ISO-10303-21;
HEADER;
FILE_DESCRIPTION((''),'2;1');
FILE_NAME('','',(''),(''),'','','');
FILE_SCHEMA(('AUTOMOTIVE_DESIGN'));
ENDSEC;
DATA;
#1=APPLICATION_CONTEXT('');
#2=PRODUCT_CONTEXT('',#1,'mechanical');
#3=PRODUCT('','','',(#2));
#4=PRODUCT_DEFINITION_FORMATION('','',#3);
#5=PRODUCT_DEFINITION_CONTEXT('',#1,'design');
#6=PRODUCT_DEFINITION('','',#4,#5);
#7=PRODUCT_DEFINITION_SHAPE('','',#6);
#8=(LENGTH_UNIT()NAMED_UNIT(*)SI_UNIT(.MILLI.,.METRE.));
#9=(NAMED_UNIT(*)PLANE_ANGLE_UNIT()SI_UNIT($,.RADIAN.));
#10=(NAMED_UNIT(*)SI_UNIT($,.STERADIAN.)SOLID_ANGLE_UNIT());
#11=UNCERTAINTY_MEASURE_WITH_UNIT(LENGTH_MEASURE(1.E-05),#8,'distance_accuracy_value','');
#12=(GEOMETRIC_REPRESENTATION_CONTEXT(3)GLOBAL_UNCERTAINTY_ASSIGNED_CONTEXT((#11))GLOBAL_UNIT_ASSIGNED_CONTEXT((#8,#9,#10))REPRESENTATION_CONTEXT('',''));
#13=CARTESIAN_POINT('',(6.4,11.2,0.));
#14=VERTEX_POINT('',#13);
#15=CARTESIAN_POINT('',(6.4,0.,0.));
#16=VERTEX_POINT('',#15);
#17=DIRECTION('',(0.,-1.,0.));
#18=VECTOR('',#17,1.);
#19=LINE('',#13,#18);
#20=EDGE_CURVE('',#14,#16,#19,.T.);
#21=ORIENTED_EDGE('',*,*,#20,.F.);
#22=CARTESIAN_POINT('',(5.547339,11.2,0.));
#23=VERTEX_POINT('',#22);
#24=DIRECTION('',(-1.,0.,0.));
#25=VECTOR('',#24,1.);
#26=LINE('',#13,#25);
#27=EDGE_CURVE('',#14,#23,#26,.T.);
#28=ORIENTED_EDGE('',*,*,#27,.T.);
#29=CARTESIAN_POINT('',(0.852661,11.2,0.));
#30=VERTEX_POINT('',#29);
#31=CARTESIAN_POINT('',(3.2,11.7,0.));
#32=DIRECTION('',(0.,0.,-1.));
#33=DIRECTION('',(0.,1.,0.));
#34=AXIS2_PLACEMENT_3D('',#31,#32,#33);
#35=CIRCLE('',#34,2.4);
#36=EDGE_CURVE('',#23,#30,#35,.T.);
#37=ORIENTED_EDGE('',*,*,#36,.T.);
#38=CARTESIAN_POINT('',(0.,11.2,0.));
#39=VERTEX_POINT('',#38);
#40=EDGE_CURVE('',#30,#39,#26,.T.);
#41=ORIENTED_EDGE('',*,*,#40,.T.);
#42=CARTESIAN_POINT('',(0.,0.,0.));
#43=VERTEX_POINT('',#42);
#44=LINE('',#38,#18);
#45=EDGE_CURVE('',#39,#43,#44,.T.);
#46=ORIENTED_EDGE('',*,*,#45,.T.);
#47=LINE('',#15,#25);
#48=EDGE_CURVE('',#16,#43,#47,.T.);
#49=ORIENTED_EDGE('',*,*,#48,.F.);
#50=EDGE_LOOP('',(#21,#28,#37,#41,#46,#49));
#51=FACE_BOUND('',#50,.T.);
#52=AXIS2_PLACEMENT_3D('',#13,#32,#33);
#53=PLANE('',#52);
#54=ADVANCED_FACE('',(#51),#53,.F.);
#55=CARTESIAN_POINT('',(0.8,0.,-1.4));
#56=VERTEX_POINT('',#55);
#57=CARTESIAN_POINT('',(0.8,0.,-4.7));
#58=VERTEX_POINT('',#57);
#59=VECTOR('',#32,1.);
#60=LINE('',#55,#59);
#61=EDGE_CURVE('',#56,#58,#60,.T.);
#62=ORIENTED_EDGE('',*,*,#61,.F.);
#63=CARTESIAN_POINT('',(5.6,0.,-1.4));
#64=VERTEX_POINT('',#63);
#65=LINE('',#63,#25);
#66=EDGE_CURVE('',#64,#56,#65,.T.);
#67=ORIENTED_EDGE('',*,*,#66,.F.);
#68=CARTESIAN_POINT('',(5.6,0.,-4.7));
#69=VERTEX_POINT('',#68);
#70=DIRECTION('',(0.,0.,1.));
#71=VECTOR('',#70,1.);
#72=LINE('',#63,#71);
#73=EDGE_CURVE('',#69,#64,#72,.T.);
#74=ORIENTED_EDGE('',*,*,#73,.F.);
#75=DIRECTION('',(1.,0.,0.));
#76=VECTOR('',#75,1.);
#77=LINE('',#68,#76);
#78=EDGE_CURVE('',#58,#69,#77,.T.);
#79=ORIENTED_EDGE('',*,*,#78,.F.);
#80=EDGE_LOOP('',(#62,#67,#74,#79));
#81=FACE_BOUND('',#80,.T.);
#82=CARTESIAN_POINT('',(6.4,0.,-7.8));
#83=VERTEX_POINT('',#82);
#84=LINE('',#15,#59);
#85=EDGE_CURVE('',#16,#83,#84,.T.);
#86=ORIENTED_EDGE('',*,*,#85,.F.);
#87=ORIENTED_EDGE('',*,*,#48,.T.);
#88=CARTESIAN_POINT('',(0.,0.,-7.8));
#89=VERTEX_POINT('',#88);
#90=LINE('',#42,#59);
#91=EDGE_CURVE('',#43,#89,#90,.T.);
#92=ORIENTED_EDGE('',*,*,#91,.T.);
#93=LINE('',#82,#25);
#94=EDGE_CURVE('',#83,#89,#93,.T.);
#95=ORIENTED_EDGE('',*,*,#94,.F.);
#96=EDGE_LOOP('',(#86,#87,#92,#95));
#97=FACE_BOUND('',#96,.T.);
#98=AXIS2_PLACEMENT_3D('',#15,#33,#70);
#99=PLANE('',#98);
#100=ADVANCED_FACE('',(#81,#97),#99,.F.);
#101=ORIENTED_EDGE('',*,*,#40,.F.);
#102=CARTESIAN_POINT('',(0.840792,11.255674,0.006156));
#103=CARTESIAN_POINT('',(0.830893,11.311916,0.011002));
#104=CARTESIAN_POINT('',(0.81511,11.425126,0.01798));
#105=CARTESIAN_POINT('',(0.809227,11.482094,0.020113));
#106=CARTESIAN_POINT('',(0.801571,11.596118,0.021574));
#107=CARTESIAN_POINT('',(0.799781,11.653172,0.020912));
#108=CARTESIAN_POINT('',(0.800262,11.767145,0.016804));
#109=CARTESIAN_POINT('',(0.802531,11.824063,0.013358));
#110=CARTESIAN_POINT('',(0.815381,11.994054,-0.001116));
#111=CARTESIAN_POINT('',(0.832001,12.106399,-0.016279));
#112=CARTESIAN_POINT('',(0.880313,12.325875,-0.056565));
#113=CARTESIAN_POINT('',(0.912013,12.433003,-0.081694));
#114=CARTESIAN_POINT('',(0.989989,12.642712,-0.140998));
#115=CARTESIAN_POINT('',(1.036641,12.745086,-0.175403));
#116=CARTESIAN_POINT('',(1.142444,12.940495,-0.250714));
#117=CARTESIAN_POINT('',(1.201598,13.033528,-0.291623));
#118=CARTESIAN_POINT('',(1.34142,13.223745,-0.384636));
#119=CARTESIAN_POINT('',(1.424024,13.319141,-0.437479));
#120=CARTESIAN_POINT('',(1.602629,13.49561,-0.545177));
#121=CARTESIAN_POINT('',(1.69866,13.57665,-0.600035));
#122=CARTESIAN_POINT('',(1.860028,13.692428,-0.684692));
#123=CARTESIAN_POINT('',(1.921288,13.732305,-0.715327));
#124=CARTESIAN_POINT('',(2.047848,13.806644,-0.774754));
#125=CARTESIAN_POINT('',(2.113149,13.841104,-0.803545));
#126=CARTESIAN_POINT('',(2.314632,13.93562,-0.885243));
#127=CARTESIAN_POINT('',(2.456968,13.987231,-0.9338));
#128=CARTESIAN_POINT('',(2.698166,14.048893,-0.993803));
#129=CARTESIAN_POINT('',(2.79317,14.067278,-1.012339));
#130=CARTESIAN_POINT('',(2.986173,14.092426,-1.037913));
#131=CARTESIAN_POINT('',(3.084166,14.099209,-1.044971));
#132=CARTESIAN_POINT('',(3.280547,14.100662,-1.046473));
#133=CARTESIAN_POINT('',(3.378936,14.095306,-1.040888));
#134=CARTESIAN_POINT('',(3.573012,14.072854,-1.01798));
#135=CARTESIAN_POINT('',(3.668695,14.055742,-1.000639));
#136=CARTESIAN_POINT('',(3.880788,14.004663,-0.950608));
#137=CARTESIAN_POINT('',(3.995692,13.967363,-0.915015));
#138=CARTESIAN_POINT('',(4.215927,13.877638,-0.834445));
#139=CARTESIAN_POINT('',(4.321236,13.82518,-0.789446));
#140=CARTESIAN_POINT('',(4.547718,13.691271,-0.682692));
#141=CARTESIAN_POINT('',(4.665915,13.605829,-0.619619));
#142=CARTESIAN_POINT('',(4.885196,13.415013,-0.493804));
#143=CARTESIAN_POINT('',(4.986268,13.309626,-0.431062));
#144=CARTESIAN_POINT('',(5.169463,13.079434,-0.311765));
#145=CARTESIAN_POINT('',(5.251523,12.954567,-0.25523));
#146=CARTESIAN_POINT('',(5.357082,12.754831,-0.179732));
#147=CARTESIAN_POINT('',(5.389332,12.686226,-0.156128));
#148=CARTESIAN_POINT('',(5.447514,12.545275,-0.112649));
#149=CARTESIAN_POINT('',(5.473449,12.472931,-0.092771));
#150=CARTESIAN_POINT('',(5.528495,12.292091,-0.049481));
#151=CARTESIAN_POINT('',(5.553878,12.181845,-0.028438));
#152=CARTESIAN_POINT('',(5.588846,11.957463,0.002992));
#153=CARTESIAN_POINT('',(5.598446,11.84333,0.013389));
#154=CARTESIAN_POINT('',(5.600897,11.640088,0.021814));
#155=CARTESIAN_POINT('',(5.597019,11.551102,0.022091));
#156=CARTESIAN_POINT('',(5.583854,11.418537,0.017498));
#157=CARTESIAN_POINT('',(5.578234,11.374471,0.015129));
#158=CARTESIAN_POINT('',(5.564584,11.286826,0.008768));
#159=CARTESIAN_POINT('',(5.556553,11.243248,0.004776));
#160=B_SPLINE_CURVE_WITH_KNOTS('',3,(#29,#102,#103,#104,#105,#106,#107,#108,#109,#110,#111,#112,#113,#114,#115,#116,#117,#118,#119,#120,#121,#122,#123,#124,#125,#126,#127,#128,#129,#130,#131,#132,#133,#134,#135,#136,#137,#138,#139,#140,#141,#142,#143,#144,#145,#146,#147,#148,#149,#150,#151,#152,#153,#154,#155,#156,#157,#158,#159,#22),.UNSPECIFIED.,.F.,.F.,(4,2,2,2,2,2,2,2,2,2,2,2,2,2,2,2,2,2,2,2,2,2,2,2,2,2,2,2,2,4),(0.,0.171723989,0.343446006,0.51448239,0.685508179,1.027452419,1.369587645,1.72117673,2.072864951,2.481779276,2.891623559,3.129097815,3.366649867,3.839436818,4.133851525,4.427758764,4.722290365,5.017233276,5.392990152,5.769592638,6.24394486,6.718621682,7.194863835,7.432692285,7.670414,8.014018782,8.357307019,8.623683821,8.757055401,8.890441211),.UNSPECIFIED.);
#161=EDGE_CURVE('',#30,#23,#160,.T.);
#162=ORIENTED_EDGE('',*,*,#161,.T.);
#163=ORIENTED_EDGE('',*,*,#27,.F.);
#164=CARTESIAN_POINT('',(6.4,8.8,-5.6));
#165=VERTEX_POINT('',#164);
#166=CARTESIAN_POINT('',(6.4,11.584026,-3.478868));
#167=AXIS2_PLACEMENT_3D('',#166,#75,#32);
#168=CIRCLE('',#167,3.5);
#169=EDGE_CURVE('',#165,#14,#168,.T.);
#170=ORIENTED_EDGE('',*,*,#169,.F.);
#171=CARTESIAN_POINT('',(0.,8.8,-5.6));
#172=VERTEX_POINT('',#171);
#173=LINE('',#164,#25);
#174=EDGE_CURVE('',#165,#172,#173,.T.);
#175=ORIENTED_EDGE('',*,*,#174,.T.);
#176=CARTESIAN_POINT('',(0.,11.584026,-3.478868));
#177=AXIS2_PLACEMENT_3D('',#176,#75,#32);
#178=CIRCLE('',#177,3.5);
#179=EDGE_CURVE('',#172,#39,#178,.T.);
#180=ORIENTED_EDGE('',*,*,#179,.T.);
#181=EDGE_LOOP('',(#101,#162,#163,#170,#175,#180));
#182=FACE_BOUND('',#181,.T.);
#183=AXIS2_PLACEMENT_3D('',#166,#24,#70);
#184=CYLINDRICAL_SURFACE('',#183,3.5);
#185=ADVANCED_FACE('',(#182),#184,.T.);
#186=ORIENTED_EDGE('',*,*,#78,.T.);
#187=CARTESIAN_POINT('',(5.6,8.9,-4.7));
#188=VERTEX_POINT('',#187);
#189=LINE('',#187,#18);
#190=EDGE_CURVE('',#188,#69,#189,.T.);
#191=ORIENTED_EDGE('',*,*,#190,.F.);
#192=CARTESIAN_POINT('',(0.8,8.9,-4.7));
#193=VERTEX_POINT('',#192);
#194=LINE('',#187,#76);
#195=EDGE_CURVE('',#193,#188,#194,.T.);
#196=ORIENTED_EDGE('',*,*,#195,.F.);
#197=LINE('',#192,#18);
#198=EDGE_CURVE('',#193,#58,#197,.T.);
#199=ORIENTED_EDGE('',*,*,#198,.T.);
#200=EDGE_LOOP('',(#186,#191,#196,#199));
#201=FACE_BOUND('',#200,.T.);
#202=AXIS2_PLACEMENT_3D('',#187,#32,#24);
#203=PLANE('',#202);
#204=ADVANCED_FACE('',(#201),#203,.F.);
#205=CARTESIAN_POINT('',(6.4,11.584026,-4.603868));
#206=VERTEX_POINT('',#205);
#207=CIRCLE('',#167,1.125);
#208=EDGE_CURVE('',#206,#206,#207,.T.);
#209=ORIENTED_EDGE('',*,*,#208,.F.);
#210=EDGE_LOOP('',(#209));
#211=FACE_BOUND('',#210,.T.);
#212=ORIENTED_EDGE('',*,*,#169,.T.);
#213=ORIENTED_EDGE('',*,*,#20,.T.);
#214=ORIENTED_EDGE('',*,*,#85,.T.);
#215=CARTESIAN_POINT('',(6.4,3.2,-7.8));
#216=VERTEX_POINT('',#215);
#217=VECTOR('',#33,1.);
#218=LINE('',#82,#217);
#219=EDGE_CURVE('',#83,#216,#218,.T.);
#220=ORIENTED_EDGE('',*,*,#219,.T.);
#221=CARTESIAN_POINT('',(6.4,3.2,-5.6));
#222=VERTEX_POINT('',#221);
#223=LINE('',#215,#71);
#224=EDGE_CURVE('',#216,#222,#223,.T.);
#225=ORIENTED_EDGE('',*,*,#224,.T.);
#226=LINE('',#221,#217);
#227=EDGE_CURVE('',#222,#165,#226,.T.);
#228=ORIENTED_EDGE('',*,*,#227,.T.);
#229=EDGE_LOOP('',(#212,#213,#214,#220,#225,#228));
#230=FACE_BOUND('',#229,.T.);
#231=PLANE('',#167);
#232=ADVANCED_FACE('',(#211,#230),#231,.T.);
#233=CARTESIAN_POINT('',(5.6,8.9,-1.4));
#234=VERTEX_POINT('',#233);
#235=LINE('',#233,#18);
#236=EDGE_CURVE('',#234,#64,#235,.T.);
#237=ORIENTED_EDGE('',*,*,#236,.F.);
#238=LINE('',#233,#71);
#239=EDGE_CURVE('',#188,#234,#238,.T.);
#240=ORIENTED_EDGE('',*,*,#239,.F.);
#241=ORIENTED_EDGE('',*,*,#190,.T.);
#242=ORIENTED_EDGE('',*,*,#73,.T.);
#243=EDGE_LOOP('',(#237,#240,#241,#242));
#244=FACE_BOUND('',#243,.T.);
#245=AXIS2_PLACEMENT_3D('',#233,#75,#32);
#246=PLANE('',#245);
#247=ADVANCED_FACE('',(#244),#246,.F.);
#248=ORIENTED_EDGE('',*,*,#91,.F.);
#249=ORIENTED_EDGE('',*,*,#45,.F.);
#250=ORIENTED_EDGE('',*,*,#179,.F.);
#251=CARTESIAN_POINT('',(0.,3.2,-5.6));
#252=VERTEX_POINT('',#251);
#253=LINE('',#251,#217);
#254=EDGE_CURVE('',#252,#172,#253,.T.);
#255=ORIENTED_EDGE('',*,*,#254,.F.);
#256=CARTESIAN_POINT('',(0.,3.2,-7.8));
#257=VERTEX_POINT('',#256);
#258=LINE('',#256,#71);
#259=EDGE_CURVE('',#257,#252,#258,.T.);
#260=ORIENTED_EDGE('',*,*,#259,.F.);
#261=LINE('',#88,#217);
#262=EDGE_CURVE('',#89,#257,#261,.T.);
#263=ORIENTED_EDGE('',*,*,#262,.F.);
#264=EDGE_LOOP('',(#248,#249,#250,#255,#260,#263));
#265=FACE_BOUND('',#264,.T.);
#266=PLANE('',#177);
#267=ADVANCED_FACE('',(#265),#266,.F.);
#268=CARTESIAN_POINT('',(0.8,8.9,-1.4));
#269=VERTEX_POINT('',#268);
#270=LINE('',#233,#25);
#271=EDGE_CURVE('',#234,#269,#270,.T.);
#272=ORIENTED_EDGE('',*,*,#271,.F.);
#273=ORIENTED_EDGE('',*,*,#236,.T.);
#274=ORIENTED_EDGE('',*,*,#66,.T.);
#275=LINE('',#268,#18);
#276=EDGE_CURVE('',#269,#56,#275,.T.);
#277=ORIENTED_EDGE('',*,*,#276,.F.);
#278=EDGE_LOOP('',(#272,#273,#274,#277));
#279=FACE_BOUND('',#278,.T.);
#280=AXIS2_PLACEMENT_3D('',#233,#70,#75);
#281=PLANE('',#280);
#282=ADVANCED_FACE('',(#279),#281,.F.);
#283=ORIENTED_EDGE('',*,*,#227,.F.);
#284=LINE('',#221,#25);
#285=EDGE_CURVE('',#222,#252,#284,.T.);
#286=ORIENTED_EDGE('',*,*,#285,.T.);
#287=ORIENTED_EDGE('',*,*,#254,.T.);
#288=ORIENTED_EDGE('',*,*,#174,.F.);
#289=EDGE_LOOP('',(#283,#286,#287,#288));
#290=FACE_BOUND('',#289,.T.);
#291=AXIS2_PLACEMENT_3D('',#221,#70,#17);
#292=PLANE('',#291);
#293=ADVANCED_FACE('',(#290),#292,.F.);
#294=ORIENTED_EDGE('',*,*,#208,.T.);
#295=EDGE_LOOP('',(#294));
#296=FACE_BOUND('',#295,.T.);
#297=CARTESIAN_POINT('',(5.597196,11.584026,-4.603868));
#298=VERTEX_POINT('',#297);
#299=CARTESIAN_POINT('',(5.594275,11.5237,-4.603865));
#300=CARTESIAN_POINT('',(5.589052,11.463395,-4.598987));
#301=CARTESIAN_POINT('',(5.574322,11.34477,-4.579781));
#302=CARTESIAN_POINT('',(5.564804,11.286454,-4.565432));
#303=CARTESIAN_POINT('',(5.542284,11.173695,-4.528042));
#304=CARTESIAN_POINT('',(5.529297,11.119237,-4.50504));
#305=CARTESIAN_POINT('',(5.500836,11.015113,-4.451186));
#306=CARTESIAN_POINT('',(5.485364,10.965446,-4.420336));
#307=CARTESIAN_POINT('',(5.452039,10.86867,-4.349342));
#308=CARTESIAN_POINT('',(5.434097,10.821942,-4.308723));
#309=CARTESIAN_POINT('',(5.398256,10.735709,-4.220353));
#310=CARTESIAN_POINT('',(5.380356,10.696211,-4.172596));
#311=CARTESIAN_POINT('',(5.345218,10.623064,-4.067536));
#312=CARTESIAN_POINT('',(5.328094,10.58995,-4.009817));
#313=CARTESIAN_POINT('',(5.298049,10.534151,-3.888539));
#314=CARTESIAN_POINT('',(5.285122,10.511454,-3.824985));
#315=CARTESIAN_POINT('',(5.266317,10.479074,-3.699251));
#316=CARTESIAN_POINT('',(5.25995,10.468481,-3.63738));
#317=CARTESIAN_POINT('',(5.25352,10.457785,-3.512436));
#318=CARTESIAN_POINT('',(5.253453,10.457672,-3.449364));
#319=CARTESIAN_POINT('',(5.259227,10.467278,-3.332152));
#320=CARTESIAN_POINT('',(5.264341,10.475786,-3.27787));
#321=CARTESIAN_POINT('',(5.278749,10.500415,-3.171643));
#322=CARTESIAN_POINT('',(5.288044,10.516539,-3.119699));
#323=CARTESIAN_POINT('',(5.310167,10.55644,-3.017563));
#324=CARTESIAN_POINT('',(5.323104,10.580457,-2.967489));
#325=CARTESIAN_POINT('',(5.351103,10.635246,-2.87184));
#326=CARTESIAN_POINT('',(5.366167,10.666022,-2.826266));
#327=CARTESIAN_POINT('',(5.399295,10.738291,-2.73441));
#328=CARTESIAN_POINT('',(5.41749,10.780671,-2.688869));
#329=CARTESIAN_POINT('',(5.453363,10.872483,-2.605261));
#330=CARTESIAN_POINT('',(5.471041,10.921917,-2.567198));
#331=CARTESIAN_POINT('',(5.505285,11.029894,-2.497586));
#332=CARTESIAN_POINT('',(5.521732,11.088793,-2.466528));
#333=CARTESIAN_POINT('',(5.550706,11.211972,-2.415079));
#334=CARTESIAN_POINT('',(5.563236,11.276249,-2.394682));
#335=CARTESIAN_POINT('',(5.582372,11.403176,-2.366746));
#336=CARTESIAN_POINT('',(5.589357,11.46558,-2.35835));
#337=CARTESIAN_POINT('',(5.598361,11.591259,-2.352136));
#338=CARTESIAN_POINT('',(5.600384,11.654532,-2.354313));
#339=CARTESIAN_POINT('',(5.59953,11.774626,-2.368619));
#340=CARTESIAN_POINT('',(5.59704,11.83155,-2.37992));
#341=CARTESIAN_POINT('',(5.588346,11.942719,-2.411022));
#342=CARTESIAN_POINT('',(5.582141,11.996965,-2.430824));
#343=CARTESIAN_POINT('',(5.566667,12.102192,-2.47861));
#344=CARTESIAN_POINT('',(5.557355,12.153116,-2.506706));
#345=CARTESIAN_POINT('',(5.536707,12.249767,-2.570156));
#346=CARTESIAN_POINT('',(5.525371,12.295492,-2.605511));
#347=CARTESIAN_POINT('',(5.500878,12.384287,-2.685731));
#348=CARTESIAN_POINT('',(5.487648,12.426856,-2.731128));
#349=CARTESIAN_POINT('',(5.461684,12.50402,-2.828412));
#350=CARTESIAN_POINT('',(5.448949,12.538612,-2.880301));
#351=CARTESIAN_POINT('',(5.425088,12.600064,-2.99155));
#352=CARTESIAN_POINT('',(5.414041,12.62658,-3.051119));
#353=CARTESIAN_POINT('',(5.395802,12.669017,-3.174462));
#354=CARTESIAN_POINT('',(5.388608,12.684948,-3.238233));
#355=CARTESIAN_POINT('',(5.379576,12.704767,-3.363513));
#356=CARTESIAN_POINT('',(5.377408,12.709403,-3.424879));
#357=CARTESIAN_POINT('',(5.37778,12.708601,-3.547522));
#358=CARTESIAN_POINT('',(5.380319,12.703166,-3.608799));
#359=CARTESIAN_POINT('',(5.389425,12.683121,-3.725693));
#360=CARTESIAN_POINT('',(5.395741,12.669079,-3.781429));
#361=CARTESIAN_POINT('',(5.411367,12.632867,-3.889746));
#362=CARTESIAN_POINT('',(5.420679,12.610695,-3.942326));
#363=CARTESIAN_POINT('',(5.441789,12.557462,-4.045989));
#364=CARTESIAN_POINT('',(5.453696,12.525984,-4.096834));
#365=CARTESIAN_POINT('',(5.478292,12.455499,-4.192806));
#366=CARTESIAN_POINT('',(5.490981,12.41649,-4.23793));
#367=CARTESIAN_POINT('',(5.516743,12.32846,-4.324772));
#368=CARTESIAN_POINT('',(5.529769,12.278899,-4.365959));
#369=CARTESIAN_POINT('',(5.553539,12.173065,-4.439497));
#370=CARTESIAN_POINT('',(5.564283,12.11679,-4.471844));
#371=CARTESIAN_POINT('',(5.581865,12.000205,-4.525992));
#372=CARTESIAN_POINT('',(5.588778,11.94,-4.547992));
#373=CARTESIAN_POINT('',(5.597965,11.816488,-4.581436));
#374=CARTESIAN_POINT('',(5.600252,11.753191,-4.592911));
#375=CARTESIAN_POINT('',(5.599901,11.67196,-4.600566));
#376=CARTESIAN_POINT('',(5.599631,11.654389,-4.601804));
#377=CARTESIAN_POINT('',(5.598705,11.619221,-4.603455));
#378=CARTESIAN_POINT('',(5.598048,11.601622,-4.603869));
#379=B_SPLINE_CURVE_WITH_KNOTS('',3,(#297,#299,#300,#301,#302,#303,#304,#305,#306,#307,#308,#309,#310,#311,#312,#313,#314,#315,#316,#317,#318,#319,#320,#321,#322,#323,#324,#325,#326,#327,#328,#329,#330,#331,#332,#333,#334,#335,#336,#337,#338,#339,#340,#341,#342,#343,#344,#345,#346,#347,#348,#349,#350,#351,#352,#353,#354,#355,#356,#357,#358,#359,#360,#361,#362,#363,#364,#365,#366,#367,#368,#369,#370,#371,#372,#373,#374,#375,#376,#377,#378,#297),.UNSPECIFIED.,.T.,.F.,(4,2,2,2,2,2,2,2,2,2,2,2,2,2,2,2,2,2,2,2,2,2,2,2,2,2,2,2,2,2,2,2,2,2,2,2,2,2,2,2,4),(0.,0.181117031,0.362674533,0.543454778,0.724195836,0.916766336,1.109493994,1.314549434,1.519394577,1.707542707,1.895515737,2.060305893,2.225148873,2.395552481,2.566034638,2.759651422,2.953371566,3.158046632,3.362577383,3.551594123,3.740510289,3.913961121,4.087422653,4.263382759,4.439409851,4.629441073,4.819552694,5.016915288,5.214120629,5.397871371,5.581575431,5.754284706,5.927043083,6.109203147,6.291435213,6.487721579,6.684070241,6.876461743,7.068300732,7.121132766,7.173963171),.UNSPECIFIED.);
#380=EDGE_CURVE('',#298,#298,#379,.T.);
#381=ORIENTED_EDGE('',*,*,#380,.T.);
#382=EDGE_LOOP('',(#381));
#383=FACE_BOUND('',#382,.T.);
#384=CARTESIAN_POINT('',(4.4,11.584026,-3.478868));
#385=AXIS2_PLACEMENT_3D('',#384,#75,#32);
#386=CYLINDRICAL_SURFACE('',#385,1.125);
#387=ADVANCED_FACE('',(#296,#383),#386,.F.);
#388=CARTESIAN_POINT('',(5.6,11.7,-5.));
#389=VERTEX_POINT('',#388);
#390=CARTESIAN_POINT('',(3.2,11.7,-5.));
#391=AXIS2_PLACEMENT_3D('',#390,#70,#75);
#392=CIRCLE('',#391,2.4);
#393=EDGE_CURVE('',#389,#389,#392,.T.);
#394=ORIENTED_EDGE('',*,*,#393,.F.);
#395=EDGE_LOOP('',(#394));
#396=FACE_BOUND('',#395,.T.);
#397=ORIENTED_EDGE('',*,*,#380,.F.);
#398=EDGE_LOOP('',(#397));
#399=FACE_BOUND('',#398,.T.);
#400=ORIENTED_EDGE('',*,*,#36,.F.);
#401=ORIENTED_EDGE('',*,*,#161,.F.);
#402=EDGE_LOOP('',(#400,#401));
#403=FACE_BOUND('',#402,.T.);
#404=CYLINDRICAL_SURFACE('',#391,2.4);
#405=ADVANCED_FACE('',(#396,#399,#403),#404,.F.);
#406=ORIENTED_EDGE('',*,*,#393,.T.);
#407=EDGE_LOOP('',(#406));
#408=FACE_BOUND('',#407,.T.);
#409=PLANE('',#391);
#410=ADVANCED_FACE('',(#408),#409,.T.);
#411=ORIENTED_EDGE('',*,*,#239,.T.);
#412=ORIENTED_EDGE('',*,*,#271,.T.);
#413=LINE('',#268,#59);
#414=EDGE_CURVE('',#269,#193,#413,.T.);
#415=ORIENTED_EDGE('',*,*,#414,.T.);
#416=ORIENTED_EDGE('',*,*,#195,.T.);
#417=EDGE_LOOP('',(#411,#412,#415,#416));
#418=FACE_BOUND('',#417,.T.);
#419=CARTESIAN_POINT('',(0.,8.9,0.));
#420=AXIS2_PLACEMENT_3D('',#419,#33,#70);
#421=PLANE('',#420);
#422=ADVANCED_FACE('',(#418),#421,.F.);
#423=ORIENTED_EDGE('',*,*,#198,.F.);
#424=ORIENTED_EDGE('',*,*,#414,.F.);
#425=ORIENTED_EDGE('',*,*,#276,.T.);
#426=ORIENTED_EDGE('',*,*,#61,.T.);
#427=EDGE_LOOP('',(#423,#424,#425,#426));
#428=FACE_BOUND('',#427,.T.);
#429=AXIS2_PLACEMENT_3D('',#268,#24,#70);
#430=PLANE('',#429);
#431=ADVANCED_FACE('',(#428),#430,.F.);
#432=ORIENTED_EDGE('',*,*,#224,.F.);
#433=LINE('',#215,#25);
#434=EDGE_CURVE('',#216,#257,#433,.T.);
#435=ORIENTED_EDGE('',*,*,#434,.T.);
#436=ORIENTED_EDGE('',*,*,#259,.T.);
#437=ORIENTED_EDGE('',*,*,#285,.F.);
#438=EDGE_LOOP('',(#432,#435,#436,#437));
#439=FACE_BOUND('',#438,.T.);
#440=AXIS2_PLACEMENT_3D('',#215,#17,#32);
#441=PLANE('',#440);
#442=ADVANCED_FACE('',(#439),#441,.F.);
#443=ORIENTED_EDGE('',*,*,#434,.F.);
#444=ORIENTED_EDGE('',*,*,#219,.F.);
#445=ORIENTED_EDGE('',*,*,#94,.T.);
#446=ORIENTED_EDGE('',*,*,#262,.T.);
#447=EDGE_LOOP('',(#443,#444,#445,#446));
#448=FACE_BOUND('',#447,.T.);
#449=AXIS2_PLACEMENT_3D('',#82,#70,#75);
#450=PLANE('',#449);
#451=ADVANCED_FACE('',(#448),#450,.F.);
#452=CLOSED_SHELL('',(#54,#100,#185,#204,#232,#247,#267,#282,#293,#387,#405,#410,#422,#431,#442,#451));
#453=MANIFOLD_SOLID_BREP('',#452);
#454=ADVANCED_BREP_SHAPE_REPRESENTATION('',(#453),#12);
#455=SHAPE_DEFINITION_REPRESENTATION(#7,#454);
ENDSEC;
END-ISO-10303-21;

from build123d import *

# Parameters (mm, degrees)
BOSS_EXTRUDE1_DEPTH = 6.4
SKETCH2_R           = 1.125
CUT_EXTRUDE1_DEPTH  = 2
SKETCH4_R           = 2.4
CUT_EXTRUDE3_DEPTH  = 5
SKETCH5_W           = 4.8
SKETCH5_H           = 3.3
CUT_EXTRUDE4_DEPTH  = 8.9


with BuildPart() as part:
    # Sketch1 → Boss-Extrude1 (new body)
    with BuildSketch(Plane(origin=(0, 0, 0), x_dir=(0, 0, -1), z_dir=(1, 0, 0))):
        with BuildLine():
            Line((0, 0), (7.8, 0))
            Line((7.8, 0), (7.8, 3.2))
            Line((7.8, 3.2), (5.6, 3.2))
            Line((5.6, 3.2), (5.6, 8.8))
            ThreePointArc((5.6, 8.8), (4.857585772, 14.801033467), (0, 11.2))
            Line((0, 11.2), (0, 0))
        make_face()
    extrude(amount=BOSS_EXTRUDE1_DEPTH)

    # Sketch2 → Cut-Extrude1 (cut)
    with BuildSketch(Plane(origin=(6.4, 0, 0), x_dir=(0, 0, -1), z_dir=(1, 0, 0))):
        with Locations((3.478868227, 11.584025862)):
            Circle(SKETCH2_R)
    extrude(amount=-CUT_EXTRUDE1_DEPTH, mode=Mode.SUBTRACT)

    # Sketch4 → Cut-Extrude3 (cut, symmetric)
    with BuildSketch(Plane.XY):
        with Locations((3.2, 11.7)):
            Circle(SKETCH4_R)
    extrude(amount=CUT_EXTRUDE3_DEPTH, both=True, mode=Mode.SUBTRACT)

    # Sketch5 → Cut-Extrude4 (cut)
    with BuildSketch(Plane.XZ):
        with Locations((3.2, -3.05)):
            Rectangle(SKETCH5_W, SKETCH5_H)
    extrude(amount=-CUT_EXTRUDE4_DEPTH, mode=Mode.SUBTRACT)


solid = part.part
